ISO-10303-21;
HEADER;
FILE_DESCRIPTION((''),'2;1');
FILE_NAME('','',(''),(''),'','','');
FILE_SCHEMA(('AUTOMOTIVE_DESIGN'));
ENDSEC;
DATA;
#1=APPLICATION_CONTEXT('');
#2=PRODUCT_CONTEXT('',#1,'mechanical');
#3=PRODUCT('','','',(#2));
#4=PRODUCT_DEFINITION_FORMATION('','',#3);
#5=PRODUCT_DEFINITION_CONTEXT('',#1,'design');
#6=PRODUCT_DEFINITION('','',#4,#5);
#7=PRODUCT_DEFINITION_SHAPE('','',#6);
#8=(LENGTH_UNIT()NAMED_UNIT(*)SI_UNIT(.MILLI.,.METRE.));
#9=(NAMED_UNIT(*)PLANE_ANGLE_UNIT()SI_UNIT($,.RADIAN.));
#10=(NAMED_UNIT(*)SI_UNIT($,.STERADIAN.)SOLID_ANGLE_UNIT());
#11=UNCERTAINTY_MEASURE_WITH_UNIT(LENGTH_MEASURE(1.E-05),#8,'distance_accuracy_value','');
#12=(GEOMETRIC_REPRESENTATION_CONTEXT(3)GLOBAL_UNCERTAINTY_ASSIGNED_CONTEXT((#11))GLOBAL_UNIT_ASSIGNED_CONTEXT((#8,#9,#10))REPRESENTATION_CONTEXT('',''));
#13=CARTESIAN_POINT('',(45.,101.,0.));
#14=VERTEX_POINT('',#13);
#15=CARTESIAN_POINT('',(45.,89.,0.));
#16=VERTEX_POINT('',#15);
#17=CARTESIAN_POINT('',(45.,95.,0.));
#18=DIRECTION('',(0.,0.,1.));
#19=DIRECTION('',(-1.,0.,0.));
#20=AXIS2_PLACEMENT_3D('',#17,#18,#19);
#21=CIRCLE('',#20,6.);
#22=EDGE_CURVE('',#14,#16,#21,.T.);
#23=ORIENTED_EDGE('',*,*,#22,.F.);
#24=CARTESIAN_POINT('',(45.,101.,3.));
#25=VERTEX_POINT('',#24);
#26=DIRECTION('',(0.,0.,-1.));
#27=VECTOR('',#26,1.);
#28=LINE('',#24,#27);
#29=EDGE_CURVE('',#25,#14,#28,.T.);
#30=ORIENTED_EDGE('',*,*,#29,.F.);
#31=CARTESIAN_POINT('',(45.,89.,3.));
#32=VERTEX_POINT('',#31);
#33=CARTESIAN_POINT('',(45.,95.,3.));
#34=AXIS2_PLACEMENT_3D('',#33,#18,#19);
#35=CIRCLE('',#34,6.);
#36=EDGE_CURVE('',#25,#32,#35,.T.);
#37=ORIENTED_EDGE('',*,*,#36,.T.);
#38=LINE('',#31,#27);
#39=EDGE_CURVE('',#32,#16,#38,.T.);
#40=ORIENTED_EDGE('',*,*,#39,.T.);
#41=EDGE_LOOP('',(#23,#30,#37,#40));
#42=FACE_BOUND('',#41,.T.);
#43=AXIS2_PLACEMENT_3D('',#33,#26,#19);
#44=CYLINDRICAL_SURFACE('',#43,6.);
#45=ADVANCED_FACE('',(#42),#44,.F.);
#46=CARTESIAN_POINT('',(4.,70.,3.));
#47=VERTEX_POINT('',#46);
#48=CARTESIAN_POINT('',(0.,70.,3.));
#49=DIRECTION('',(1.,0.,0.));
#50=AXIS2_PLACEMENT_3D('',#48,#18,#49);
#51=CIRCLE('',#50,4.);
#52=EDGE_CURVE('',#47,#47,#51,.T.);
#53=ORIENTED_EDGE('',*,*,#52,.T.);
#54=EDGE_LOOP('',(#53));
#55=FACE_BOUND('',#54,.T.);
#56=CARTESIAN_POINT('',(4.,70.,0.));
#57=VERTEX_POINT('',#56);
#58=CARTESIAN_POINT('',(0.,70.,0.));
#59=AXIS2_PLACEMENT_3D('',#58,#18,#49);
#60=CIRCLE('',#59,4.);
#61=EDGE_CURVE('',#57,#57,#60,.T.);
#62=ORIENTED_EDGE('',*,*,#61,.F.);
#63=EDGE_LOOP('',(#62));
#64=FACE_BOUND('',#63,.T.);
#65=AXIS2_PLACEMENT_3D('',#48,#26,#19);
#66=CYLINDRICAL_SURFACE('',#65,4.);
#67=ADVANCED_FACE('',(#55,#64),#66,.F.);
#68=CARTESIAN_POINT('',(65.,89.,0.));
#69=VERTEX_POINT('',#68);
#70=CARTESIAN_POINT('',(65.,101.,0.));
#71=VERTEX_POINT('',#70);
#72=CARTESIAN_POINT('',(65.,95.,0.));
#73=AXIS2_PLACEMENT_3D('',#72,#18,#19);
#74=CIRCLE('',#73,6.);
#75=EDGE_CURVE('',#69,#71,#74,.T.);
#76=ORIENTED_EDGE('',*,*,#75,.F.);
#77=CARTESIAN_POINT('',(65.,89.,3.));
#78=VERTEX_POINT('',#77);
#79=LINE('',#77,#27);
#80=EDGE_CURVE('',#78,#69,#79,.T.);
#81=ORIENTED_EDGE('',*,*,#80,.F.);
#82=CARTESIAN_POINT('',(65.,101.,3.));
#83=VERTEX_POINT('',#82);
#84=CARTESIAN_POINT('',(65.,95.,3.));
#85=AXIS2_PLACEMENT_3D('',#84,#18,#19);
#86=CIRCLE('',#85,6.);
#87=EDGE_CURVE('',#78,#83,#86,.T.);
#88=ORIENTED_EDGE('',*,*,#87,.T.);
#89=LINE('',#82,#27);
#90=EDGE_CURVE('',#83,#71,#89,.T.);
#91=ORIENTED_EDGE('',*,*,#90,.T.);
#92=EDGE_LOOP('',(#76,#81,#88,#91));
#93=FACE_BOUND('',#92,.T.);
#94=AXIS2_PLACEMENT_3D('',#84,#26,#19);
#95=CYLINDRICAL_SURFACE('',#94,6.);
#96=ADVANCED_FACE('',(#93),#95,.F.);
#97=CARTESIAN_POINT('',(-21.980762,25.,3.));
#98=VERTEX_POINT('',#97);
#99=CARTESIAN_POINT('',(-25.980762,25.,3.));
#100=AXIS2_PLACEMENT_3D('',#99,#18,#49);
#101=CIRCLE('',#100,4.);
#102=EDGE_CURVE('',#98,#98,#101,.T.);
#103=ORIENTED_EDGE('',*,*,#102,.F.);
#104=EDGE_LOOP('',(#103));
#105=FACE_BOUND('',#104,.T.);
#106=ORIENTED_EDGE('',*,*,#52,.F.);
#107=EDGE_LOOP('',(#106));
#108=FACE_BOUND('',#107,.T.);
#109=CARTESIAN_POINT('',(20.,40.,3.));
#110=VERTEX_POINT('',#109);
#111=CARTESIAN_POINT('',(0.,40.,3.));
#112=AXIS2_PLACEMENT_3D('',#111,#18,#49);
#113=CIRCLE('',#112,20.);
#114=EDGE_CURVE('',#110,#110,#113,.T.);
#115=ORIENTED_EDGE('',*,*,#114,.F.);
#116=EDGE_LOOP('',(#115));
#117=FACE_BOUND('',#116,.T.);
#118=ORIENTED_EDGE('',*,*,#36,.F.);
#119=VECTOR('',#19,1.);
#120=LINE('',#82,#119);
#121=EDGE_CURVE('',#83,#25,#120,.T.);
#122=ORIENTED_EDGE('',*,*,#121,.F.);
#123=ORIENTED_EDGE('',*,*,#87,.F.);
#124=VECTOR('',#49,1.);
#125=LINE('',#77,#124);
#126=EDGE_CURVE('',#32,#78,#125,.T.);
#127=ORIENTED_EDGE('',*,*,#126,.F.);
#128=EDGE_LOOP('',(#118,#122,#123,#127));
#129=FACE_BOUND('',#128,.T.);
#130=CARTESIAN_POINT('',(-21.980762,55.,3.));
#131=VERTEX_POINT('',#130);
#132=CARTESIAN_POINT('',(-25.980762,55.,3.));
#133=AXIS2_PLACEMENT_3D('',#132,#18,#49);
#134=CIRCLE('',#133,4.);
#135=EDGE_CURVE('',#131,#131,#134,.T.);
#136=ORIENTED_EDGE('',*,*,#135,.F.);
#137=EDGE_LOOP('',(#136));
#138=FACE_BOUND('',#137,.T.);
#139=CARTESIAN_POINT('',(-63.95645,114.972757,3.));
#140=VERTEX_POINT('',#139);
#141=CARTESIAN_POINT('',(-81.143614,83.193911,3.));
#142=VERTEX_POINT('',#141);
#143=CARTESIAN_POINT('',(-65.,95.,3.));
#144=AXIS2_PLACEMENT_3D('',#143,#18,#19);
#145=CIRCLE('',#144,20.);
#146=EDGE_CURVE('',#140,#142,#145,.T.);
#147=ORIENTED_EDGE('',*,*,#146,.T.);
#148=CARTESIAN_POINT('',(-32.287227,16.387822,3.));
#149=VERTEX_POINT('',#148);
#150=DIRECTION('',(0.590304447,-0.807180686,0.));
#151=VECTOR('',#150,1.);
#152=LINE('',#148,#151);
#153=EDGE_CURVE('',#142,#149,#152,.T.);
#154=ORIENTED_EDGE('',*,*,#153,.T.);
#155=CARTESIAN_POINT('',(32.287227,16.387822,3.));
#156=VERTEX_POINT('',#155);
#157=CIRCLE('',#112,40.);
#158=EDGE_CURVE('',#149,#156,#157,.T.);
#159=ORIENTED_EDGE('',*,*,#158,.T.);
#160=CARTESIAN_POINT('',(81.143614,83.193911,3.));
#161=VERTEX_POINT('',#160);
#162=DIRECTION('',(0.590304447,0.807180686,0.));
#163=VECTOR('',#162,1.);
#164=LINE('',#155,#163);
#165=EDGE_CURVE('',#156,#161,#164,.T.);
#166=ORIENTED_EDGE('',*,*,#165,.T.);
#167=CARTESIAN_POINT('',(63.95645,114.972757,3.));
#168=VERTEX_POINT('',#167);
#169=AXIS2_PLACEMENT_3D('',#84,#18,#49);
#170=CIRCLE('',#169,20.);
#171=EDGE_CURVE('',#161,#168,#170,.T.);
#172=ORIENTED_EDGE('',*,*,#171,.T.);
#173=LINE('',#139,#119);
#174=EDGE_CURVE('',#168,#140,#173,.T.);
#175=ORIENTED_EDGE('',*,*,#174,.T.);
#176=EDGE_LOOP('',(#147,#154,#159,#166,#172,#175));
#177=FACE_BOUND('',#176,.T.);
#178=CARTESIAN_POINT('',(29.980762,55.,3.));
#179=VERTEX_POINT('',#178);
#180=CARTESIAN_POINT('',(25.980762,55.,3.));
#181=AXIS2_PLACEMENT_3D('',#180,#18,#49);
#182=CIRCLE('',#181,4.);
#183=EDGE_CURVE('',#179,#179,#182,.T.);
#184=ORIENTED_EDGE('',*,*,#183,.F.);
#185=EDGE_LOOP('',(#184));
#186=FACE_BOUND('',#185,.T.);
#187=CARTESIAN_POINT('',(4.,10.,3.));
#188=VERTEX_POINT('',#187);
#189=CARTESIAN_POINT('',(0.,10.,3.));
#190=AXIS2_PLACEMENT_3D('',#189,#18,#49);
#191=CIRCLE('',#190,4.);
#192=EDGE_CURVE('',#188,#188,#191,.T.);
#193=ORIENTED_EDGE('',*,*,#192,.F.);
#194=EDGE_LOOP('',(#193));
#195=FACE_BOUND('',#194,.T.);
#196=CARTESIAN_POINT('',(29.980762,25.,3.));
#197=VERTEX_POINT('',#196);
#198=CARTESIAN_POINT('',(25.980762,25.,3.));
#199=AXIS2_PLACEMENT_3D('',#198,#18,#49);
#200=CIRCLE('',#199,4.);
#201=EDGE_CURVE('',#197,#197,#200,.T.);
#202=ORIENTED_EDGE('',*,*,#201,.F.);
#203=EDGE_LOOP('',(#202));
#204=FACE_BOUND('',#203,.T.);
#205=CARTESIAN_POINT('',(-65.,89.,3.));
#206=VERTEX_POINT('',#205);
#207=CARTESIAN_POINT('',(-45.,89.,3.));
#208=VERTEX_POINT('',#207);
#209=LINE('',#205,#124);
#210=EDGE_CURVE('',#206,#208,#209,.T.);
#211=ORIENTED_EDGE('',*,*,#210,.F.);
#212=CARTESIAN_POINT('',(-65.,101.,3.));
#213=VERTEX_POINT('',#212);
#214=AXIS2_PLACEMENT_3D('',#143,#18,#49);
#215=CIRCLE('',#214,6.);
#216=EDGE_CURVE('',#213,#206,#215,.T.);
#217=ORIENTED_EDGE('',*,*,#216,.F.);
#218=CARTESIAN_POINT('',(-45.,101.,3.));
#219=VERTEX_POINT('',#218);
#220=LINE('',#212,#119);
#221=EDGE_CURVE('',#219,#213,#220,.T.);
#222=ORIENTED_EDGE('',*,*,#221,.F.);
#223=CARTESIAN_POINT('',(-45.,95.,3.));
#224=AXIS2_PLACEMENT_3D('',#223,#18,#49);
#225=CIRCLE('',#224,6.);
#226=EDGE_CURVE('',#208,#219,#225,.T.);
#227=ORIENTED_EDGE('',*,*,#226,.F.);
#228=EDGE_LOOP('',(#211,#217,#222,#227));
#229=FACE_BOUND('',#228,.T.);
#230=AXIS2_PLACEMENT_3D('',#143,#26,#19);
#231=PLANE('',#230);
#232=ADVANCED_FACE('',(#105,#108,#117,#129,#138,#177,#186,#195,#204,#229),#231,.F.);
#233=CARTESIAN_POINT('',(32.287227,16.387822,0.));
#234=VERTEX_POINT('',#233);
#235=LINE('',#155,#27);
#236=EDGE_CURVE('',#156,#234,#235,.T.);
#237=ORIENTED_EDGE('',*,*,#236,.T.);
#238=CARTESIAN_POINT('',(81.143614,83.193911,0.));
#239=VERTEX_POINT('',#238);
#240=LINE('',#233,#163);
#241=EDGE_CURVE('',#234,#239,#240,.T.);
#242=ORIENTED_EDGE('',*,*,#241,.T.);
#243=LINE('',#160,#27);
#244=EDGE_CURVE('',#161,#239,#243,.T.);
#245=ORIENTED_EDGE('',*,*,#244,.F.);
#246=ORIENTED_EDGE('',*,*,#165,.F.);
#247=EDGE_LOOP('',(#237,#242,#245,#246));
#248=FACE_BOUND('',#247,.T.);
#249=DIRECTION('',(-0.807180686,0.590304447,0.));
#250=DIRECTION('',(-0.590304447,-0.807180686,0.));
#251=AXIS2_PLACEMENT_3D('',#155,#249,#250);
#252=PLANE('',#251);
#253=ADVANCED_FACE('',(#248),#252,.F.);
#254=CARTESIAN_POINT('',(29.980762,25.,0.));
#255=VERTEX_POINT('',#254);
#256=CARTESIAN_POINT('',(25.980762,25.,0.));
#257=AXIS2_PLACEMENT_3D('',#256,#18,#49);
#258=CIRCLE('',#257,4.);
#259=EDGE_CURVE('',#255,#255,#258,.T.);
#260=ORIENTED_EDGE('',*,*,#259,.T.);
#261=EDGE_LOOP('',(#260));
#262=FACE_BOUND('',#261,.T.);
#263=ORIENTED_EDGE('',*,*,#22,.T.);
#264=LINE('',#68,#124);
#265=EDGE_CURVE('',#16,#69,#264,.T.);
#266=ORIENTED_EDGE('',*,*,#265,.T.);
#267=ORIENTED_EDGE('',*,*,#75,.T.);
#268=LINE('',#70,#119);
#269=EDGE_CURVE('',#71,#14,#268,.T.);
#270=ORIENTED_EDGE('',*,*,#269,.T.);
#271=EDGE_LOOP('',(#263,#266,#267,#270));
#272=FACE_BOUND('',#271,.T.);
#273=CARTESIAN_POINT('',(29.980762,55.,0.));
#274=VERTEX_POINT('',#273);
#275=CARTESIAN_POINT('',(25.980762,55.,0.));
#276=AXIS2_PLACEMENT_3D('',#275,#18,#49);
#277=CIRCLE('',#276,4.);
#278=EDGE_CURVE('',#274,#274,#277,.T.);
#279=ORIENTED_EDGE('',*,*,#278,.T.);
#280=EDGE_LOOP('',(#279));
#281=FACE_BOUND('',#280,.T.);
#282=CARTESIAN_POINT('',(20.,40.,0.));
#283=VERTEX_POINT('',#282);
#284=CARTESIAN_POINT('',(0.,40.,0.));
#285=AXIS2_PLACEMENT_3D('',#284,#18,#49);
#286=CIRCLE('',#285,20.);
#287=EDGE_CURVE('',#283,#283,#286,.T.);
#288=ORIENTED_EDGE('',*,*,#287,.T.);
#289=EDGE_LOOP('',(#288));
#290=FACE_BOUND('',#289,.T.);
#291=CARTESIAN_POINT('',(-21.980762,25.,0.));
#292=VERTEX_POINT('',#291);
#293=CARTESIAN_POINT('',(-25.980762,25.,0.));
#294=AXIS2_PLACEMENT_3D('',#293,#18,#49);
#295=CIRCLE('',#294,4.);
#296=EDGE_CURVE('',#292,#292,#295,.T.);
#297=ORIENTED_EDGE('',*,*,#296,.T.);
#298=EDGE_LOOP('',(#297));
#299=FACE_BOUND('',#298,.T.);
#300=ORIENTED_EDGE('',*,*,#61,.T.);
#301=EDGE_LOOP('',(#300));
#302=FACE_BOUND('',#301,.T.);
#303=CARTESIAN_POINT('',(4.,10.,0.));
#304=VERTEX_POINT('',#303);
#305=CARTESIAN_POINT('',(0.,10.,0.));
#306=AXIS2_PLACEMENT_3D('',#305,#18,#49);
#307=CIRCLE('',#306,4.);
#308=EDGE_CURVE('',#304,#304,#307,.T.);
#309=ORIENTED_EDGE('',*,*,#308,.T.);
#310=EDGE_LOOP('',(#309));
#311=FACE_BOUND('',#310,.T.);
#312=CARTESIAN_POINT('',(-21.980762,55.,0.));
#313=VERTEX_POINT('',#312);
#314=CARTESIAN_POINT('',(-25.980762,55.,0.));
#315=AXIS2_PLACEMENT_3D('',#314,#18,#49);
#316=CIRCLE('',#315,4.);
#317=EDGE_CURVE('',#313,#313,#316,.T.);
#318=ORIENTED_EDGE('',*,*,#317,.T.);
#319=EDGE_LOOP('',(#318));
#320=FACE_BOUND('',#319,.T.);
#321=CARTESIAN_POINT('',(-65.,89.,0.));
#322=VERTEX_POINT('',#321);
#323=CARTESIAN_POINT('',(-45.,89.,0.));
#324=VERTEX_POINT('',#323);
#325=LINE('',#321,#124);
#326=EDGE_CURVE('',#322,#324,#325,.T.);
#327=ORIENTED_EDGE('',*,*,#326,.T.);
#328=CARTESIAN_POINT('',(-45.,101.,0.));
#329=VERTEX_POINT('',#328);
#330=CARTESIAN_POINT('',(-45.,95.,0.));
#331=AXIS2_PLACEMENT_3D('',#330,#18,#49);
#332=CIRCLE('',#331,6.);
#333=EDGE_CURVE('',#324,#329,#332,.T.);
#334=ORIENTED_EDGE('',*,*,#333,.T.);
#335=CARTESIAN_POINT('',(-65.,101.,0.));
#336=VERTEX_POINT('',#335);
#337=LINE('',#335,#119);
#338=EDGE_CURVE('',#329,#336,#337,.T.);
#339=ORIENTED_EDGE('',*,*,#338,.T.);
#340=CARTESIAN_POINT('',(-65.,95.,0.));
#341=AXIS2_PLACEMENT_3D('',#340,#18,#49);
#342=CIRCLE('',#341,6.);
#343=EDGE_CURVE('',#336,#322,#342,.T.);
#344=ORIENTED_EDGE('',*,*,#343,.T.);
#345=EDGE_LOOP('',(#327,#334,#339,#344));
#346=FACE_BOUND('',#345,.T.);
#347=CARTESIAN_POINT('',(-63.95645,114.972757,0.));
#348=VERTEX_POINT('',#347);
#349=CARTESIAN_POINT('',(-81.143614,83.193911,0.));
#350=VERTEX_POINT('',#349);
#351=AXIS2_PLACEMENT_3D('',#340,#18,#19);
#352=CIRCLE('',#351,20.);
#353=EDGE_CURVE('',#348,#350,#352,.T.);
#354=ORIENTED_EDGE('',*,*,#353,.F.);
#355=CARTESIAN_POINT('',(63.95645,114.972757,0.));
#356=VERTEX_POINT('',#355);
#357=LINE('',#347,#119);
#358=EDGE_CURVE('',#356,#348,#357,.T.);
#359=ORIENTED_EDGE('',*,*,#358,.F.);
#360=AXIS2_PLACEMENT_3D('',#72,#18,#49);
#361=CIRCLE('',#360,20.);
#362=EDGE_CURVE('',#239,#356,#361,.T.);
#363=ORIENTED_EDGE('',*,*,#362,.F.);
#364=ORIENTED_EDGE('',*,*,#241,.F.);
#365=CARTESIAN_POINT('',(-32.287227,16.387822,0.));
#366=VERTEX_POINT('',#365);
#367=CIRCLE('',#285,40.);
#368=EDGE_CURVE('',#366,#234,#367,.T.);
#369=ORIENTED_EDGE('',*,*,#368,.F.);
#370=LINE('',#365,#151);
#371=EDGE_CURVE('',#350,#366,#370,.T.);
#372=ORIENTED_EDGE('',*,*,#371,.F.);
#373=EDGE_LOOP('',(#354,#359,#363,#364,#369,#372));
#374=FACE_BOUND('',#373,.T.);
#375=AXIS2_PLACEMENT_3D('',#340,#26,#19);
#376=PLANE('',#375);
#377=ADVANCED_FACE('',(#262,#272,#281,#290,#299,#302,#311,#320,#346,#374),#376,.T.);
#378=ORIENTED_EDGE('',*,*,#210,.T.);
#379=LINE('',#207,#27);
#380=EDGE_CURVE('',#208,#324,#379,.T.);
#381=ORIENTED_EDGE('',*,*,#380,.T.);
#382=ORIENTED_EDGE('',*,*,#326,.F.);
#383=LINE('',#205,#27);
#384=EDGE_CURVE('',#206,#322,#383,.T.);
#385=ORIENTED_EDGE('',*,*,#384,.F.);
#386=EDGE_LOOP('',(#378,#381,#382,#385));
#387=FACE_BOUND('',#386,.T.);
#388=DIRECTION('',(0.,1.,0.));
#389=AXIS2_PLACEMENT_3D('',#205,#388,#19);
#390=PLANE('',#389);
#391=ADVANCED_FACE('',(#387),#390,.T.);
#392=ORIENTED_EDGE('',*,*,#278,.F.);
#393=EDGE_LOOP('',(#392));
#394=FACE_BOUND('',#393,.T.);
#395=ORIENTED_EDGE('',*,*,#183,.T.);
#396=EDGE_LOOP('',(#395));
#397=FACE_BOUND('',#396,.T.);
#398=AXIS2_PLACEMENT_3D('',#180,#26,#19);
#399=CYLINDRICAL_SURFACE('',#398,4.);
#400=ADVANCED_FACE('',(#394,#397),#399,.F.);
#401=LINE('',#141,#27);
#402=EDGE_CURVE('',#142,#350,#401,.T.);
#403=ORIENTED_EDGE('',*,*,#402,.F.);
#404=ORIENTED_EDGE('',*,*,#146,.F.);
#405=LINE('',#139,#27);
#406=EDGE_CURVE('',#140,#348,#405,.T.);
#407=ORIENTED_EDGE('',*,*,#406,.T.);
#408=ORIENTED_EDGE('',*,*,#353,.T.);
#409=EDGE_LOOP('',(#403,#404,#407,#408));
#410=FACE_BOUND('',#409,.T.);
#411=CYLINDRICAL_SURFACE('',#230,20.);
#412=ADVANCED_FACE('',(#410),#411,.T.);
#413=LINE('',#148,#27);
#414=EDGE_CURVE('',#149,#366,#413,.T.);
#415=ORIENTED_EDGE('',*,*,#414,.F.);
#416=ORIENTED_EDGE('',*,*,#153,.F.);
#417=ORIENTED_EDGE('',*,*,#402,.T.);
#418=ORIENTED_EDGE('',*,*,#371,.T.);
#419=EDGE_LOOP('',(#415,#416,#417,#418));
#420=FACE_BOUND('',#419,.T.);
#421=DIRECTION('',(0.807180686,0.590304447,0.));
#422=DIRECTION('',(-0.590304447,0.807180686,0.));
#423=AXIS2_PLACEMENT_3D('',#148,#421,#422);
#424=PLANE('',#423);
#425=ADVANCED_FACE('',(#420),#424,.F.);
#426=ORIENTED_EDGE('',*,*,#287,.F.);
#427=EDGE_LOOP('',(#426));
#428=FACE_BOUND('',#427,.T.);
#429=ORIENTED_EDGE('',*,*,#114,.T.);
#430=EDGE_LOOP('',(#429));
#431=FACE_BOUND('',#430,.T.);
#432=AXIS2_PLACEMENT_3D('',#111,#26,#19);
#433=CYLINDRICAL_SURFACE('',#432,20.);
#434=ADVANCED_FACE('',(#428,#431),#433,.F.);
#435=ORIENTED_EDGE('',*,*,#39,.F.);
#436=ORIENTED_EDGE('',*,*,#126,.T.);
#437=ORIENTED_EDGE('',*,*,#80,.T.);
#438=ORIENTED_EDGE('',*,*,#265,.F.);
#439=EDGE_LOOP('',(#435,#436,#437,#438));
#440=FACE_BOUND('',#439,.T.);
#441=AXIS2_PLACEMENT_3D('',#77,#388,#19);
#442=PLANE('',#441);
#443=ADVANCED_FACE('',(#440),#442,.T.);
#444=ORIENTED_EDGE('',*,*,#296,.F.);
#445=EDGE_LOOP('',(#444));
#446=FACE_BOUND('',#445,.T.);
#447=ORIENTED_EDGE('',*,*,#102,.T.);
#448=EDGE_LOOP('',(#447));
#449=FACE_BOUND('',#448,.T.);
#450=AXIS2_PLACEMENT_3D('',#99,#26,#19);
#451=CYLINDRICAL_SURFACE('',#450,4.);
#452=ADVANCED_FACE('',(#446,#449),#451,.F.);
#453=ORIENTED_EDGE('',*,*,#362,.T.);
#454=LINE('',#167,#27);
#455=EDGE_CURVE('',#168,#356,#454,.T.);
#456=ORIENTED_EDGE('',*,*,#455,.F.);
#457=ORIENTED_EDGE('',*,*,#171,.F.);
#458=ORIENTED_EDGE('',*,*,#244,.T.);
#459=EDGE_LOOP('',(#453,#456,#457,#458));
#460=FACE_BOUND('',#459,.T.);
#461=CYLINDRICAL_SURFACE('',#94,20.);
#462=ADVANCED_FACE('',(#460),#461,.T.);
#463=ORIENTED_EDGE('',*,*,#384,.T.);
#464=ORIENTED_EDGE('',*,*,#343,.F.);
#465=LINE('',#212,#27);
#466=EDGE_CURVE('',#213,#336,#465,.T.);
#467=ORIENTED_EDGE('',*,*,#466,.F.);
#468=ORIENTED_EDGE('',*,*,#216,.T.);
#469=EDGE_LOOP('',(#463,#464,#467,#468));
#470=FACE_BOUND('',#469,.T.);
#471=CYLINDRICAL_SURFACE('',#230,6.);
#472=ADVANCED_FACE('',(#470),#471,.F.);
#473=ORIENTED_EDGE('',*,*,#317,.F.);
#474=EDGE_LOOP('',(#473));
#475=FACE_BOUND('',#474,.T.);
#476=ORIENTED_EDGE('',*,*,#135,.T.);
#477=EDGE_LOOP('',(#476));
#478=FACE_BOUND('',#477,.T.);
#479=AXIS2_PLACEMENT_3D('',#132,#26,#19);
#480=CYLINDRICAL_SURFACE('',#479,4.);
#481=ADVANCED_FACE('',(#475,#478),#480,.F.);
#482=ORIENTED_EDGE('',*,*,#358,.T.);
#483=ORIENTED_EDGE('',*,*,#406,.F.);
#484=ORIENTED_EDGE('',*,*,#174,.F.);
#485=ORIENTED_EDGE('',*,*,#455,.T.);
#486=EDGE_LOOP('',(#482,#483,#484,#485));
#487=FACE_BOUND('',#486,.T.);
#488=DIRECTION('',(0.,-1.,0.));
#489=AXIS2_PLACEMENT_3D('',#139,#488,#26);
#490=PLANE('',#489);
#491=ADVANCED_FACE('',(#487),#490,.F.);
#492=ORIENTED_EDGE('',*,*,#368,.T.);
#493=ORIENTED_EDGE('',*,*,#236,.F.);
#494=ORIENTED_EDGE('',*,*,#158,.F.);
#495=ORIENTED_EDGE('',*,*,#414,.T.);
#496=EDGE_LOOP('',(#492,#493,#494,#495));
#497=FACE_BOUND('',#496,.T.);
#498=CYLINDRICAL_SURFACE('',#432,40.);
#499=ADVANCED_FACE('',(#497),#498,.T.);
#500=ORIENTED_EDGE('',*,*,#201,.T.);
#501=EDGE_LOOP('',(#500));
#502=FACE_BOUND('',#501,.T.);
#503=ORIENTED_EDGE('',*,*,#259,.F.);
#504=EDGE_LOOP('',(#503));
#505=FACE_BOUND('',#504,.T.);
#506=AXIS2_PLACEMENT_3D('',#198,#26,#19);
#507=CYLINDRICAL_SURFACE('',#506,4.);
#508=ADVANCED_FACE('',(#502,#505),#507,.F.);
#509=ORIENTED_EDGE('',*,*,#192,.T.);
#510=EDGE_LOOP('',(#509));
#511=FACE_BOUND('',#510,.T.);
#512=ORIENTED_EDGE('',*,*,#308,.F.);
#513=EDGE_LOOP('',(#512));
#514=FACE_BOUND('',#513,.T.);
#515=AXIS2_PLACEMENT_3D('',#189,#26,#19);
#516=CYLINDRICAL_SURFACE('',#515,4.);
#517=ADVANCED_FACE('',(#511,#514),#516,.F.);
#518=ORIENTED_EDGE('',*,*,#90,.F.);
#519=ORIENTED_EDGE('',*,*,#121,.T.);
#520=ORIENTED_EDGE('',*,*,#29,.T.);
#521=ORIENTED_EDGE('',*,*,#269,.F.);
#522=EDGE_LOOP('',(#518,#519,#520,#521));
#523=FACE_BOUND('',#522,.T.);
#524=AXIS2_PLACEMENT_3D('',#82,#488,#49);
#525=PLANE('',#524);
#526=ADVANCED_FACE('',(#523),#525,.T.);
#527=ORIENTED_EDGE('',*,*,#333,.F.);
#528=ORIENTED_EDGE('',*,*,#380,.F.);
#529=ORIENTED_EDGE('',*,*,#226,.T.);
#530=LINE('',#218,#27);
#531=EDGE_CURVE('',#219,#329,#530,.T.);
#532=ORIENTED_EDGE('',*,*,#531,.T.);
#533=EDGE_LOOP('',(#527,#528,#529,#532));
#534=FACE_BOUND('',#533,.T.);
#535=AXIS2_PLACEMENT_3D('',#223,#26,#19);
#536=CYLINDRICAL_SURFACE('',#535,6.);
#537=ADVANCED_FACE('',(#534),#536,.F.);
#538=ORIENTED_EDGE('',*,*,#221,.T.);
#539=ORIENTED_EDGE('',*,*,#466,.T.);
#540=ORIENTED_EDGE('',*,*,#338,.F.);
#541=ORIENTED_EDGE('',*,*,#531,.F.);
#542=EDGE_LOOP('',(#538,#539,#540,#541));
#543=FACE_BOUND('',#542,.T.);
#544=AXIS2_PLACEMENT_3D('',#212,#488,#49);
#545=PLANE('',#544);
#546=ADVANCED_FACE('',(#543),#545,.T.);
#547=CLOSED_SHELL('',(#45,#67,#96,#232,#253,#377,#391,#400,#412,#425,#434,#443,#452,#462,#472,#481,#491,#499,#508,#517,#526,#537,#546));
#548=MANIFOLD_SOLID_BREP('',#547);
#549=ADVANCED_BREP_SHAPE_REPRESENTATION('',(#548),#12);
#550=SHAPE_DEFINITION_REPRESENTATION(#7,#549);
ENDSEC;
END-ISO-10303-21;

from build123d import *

# Parameters (mm, degrees)
SKETCH1_R           = 20
SKETCH1_R_2         = 4
BOSS_EXTRUDE1_DEPTH = 3


with BuildPart() as part:
    # Sketch1 → Boss-Extrude1 (new body)
    with BuildSketch(Plane.XY):
        with BuildLine():
            Line((-32.287227439, 16.387822118), (-81.143613719, 83.193911059))
            ThreePointArc((-81.143613719, 83.193911059), (-82.591950965, 104.5143713), (-63.956450336, 114.972756547))
            Line((-63.956450336, 114.972756547), (63.956450336, 114.972756547))
            ThreePointArc((63.956450336, 114.972756547), (82.591950965, 104.5143713), (81.143613719, 83.193911059))
            Line((81.143613719, 83.193911059), (32.287227439, 16.387822118))
            ThreePointArc((32.287227439, 16.387822118), (0, 0), (-32.287227439, 16.387822118))
        make_face()
        with Locations((0, 40)):
            Circle(SKETCH1_R, mode=Mode.SUBTRACT)
        with Locations((0, 70)):
            Circle(SKETCH1_R_2, mode=Mode.SUBTRACT)
        with Locations((25.980762114, 55)):
            Circle(SKETCH1_R_2, mode=Mode.SUBTRACT)
        with Locations((25.980762114, 25)):
            Circle(SKETCH1_R_2, mode=Mode.SUBTRACT)
        with Locations((0, 10)):
            Circle(SKETCH1_R_2, mode=Mode.SUBTRACT)
        with Locations((-25.980762114, 25)):
            Circle(SKETCH1_R_2, mode=Mode.SUBTRACT)
        with Locations((-25.980762114, 55)):
            Circle(SKETCH1_R_2, mode=Mode.SUBTRACT)
        with BuildLine():
            Line((-65, 101), (-45, 101))
            ThreePointArc((-45, 101), (-39, 95), (-45, 89))
            Line((-45, 89), (-65, 89))
            ThreePointArc((-65, 89), (-71, 95), (-65, 101))
        make_face(mode=Mode.SUBTRACT)
        with BuildLine():
            Line((65, 101), (45, 101))
            ThreePointArc((45, 101), (39, 95), (45, 89))
            Line((45, 89), (65, 89))
            ThreePointArc((65, 89), (71, 95), (65, 101))
        make_face(mode=Mode.SUBTRACT)
    extrude(amount=BOSS_EXTRUDE1_DEPTH)


solid = part.part
